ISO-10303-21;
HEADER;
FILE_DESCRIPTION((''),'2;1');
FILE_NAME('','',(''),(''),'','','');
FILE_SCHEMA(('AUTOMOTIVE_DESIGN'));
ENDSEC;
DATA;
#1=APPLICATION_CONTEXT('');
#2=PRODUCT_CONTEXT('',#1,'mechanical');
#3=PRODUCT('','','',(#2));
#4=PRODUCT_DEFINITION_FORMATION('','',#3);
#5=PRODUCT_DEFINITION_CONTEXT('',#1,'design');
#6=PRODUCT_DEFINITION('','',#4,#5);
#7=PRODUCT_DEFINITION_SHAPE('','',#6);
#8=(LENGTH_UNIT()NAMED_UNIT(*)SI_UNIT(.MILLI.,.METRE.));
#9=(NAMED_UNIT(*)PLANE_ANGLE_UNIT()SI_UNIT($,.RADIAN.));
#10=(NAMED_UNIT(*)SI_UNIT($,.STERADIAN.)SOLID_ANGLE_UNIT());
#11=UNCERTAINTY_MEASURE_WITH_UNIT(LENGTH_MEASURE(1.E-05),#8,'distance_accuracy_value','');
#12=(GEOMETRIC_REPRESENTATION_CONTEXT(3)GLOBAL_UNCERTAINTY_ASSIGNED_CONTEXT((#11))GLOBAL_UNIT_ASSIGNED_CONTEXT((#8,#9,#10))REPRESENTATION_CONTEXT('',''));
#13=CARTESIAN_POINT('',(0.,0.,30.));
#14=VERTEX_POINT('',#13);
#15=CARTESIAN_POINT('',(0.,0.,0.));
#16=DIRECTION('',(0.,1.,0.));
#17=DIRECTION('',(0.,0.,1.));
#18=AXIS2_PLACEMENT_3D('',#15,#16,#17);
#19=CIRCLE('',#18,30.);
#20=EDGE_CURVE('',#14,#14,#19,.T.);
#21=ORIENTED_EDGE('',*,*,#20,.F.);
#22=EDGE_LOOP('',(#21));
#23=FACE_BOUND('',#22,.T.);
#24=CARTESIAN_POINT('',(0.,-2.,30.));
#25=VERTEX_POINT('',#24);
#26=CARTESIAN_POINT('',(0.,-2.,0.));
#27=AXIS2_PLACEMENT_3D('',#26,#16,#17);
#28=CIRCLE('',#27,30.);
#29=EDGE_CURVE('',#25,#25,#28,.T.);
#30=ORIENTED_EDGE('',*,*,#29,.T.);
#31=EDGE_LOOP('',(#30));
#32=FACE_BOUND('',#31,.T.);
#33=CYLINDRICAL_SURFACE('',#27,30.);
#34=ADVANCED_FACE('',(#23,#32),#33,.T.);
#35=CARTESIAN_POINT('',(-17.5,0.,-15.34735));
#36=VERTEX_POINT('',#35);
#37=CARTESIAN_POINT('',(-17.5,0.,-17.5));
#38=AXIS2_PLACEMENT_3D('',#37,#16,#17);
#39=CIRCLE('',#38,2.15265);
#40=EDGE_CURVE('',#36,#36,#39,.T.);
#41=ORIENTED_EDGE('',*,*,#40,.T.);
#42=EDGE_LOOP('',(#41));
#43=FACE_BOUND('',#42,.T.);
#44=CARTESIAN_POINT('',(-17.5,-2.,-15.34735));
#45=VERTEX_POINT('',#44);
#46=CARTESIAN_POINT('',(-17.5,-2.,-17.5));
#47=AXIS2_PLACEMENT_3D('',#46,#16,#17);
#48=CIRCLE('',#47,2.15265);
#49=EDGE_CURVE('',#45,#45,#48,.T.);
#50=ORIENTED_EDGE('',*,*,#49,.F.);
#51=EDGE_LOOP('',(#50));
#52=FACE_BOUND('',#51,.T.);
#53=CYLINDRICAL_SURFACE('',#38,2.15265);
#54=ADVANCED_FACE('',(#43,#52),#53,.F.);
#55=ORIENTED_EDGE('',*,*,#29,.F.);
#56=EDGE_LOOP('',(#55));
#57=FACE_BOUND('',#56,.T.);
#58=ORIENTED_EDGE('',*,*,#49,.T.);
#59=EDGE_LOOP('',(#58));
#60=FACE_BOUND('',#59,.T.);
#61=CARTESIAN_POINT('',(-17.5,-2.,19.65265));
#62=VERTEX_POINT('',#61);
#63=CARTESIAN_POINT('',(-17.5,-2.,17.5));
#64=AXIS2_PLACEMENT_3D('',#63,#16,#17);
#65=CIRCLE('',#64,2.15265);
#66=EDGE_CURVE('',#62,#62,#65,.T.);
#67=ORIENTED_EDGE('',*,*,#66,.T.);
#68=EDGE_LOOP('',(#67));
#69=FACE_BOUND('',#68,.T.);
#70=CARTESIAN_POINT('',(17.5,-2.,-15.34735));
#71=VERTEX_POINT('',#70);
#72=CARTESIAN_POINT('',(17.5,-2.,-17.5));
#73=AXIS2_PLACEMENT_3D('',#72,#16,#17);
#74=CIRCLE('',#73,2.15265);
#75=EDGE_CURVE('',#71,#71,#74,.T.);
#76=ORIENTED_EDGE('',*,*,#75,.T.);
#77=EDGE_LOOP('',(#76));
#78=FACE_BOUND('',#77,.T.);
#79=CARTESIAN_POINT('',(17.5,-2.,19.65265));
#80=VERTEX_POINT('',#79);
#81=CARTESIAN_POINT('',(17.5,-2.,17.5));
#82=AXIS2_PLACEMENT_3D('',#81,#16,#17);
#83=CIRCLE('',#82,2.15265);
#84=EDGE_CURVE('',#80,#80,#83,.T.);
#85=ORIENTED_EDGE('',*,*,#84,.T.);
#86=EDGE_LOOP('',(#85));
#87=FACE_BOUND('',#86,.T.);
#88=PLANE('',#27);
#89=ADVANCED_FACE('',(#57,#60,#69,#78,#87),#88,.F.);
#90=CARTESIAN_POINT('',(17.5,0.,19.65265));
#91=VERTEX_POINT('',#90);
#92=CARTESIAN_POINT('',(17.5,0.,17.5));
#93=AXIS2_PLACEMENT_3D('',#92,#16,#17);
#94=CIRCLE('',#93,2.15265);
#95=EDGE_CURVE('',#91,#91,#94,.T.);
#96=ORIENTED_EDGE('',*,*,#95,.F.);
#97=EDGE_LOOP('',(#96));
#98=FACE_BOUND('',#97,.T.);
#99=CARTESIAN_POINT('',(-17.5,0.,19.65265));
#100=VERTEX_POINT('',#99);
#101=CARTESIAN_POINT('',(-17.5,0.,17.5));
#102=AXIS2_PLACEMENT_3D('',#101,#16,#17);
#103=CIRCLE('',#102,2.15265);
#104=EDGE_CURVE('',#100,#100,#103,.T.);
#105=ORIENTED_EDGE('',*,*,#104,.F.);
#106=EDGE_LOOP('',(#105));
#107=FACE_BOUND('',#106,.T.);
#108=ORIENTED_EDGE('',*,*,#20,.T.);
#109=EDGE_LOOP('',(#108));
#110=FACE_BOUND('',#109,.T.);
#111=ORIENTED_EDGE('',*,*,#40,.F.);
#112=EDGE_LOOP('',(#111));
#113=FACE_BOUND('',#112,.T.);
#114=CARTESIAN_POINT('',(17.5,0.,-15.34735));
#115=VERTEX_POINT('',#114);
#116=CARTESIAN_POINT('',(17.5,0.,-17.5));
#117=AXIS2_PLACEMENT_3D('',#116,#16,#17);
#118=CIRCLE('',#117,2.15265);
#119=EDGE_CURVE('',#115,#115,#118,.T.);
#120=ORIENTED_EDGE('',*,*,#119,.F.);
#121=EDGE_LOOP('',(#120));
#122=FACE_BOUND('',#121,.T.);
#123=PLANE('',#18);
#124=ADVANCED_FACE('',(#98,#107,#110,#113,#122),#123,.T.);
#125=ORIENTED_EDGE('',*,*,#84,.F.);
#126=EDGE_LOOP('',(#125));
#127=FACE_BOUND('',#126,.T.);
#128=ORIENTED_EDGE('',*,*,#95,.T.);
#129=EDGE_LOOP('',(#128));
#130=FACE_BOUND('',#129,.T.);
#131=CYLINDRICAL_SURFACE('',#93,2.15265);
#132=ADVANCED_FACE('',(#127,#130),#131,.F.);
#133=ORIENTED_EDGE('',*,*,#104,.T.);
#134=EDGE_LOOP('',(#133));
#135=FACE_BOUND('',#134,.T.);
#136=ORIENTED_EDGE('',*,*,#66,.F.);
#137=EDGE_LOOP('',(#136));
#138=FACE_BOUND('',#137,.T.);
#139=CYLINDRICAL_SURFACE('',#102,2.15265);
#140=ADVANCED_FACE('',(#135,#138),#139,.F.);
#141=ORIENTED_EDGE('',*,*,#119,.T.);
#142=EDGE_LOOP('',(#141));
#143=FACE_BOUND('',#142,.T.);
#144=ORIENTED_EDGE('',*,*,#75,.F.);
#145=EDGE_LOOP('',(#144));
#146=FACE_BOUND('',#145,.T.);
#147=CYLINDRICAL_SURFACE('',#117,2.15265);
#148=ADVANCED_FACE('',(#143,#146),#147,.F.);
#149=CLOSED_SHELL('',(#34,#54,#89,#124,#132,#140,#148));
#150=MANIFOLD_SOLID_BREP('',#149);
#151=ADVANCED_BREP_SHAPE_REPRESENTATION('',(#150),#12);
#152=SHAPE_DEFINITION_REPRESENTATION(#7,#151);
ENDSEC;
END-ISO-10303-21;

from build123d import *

# Parameters (mm, degrees)
SKETCH2_R             = 30
ACRYLICBASE_DEPTH     = 2
F_8_CLEARANCE_HOLE2_D = 4.3053


with BuildPart() as part:
    # Sketch2 → AcrylicBase (new body)
    with BuildSketch(Plane(origin=(0, 0, 0), x_dir=(1, 0, 0), z_dir=(0, 1, 0))):
        Circle(SKETCH2_R)
    extrude(amount=-ACRYLICBASE_DEPTH)

    # #8 Clearance Hole2 (through all)
    with Locations(Plane(origin=(0, 0, 0), x_dir=(-1, 0, 0), z_dir=(0, 1, 0))):
        with Locations((17.5, -17.5), (-17.5, -17.5), (-17.5, 17.5), (17.5, 17.5)):
            Hole(F_8_CLEARANCE_HOLE2_D / 2)


solid = part.part
